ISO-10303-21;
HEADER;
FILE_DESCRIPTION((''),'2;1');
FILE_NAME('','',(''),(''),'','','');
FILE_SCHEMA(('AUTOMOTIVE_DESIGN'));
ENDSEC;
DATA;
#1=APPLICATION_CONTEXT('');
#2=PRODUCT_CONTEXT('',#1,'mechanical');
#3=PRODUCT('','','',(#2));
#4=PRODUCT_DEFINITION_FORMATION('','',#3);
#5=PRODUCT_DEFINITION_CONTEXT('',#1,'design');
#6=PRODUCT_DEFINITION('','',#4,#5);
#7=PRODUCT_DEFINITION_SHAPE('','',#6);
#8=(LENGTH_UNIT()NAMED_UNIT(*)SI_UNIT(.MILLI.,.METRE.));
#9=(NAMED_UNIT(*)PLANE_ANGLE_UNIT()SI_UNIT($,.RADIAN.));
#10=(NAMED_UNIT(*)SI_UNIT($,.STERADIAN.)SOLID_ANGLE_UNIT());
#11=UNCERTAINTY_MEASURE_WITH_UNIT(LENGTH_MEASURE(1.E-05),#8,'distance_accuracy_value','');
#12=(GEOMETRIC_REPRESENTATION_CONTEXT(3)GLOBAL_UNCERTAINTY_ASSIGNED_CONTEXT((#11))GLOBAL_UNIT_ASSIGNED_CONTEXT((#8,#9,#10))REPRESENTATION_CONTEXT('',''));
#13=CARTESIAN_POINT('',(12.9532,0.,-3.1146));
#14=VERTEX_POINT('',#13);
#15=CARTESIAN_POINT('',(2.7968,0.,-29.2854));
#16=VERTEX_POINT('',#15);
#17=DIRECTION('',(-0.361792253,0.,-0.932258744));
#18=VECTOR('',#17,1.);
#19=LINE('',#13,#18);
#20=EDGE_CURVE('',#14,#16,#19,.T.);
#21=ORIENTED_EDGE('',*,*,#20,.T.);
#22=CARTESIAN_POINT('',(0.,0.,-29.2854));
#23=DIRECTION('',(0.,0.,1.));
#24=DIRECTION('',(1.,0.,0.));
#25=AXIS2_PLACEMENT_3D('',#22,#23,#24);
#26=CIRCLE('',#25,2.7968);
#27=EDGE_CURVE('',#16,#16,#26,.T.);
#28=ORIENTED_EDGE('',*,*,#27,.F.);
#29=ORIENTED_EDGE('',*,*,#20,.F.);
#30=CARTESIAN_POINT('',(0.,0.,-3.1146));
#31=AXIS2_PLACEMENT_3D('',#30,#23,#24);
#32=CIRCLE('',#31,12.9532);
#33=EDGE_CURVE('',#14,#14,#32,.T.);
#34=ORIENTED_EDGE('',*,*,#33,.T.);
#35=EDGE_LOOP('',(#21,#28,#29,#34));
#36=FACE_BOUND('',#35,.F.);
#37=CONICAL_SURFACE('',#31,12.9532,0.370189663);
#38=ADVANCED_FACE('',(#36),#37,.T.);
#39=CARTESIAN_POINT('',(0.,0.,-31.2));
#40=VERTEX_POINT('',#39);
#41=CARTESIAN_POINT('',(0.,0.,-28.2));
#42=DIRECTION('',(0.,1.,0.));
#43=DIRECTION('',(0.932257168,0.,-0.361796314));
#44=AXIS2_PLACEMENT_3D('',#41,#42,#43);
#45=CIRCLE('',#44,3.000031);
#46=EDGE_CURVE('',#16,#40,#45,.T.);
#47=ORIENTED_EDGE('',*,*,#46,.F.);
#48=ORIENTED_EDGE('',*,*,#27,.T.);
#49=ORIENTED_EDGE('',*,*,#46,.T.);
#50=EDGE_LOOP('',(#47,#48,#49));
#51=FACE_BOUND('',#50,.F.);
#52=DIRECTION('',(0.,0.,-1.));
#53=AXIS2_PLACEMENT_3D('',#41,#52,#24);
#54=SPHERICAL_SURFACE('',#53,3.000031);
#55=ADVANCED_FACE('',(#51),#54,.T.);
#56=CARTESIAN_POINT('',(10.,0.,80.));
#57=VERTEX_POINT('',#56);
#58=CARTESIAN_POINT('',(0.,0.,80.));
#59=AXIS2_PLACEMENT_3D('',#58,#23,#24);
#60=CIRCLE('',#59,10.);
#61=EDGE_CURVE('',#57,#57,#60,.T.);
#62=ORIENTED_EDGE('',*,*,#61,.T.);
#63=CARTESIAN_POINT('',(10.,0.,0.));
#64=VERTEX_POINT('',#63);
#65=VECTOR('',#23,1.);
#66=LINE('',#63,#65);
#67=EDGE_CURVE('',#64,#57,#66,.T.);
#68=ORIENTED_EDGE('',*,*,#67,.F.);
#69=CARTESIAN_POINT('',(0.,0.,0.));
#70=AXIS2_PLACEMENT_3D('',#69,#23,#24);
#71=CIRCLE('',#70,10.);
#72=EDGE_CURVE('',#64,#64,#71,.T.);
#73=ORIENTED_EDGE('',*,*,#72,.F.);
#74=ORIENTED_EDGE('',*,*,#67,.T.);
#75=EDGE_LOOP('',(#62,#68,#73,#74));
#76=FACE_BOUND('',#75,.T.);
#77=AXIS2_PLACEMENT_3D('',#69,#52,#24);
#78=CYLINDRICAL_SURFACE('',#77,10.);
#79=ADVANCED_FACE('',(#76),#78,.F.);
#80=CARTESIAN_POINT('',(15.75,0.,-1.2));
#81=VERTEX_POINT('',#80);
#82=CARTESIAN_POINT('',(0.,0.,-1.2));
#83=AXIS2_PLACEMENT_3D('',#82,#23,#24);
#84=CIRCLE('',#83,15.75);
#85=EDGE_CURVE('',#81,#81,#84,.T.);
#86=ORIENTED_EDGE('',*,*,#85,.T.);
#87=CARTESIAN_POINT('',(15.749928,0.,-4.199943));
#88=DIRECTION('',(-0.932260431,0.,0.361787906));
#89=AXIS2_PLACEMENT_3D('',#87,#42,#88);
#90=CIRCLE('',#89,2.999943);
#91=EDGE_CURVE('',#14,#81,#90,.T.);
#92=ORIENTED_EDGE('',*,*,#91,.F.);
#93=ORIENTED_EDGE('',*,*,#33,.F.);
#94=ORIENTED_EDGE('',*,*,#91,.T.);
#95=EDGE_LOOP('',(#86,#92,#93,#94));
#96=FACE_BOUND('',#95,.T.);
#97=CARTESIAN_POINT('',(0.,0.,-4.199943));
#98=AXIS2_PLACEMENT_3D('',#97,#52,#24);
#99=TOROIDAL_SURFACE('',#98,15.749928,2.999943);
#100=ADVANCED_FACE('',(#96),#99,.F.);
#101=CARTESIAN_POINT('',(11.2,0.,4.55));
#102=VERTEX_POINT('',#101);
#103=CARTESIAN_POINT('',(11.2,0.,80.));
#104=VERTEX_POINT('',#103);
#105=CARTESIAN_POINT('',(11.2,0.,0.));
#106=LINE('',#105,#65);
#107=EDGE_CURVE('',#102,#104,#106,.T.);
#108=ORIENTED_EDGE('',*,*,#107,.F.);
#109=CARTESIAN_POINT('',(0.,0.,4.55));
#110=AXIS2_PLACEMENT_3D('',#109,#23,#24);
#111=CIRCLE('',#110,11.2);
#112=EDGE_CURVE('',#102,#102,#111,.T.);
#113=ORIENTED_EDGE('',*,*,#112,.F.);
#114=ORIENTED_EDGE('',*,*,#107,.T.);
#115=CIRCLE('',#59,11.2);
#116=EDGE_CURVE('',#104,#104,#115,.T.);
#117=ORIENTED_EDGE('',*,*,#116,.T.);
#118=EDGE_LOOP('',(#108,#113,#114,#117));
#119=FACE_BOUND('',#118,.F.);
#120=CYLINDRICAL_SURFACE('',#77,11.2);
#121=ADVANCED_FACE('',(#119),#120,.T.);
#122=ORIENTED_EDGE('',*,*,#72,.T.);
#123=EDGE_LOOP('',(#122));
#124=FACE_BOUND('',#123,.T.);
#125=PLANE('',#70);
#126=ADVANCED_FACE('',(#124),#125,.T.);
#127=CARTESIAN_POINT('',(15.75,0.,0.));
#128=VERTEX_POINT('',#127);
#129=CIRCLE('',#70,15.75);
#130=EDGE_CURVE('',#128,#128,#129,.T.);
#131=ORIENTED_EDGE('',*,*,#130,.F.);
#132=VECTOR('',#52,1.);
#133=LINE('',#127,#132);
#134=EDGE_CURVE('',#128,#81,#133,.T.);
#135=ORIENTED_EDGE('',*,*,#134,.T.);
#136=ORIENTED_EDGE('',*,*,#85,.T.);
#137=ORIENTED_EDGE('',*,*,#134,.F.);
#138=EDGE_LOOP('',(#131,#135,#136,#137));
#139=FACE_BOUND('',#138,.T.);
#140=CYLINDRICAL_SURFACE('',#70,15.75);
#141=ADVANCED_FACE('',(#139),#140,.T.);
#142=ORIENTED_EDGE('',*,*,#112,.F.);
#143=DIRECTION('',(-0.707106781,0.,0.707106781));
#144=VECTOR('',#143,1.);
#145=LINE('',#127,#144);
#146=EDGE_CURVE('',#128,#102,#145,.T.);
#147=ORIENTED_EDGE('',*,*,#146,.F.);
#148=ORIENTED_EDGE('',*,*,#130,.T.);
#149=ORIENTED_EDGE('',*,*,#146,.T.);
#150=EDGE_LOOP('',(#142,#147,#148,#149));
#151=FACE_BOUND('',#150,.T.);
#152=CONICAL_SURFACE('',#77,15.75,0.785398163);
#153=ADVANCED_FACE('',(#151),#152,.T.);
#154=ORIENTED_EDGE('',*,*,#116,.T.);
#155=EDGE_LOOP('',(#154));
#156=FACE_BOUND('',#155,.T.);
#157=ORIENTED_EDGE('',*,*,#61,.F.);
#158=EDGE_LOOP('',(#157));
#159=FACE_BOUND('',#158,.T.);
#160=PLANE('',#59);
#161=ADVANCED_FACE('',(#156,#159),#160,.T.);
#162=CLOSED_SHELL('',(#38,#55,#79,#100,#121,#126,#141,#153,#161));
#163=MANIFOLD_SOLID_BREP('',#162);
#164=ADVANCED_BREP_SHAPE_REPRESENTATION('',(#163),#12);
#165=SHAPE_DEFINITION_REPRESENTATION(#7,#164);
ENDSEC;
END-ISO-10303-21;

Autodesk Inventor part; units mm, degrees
ref_plane "YZ Plane" through (0, 0, 0) normal (1, 0, 0) x (0, 1, 0)
ref_plane "XZ Plane" through (0, 0, 0) normal (0, 1, 0) x (-1, 0, 0)
ref_plane "XY Plane" through (0, 0, 0) normal (0, 0, 1) x (1, 0, 0)
sketch "Sketch1" plane through (0, 0, 0) normal (0, 0, 1) x (1, 0, 0)
  circle A0 centre (0, 0) radius 10
  circle A1 centre (0, 0) radius 11.2
  circle A2 centre (0, 0) radius 15.75
  dimension "d0" = 20
  dimension "d1" = 1.2
  dimension "d12" = 31.5
  dimension "d16" = 22.4
extrude "Extrusion1" add sketch "Sketch1" against normal blind 31.2 contours A0 | A1 | A2
extrude "Extrusion2" add sketch "Sketch1" along normal blind 80 contours A1
sketch "Sketch2" plane through (0, 0, 0) normal (0, 1, 0) x (-1, 0, 0)
  line L0 (-15.75, -31.2) -> (15.75, -31.2) projected
  line L1 (15.75, 0) -> (-15.75, 0) construction
  line L2 (-15.75, -31.2) -> (15.75, -31.2) projected
  line L3 (15.75, 0) -> (-15.75, 0) projected
  line L4 (15.75, -31.2) -> (15.75, 0) construction
  line L5 (-15.75, -31.2) -> (-15.75, 0) construction
  line L6 (-15.75, 0) -> (-15.75, -31.2) construction
  line L7 (15.75, -1.2) -> (-15.75, -1.2)
  line L8 (15.75, -1.2) -> (15.75, -31.2)
  line L9 (-15.75, -1.2) -> (-15.75, -31.2)
  line L10 (15.75, 0) -> (15.75, -31.2) projected
  arc A0 (15.75, -1.2) -> (12.9532, -3.1146) centre (15.75, -4.2) ccw
  arc A1 (-12.9532, -3.1146) -> (-15.75, -1.2) centre (-15.75, -4.2) ccw
  arc A2 (-2.7968, -29.2854) -> (2.7968, -29.2854) centre (0, -28.2) ccw
  line L11 (2.7968, -29.2854) -> (12.9532, -3.1146)
  line L12 (-12.9532, -3.1146) -> (-2.7968, -29.2854)
  line L13 (0, -31.2) -> (0, -1.2)
  line L14 (-11.2, 0) -> (-11.2, 80) construction
  line L15 (-15.75, 0) -> (-11.2, 4.55)
  line L16 (-11.2, 0) -> (-11.2, 80) projected
  line L17 (-11.2, 4.55) -> (-11.2, 0)
  line L18 (-11.2, 0) -> (-15.75, 0)
  point P0 (0, 0)
  dimension "d7" = 1.2
  dimension "d10" = 3
  dimension "d14" = 45
revolve "Revolution1" cut sketch "Sketch2" angle 360 about axis through (0, 0, -31.2) along (0, 0, 1) contours L9 A1 L12 A2 L0
revolve "Revolution2" add sketch "Sketch2" angle 360 about axis through (0, 0, -31.2) along (0, 0, 1) contours L3 L15 L16 | A2 L12 A1 L7 L13
properties part number "Marker Barrel" material "ABS Plastic"
